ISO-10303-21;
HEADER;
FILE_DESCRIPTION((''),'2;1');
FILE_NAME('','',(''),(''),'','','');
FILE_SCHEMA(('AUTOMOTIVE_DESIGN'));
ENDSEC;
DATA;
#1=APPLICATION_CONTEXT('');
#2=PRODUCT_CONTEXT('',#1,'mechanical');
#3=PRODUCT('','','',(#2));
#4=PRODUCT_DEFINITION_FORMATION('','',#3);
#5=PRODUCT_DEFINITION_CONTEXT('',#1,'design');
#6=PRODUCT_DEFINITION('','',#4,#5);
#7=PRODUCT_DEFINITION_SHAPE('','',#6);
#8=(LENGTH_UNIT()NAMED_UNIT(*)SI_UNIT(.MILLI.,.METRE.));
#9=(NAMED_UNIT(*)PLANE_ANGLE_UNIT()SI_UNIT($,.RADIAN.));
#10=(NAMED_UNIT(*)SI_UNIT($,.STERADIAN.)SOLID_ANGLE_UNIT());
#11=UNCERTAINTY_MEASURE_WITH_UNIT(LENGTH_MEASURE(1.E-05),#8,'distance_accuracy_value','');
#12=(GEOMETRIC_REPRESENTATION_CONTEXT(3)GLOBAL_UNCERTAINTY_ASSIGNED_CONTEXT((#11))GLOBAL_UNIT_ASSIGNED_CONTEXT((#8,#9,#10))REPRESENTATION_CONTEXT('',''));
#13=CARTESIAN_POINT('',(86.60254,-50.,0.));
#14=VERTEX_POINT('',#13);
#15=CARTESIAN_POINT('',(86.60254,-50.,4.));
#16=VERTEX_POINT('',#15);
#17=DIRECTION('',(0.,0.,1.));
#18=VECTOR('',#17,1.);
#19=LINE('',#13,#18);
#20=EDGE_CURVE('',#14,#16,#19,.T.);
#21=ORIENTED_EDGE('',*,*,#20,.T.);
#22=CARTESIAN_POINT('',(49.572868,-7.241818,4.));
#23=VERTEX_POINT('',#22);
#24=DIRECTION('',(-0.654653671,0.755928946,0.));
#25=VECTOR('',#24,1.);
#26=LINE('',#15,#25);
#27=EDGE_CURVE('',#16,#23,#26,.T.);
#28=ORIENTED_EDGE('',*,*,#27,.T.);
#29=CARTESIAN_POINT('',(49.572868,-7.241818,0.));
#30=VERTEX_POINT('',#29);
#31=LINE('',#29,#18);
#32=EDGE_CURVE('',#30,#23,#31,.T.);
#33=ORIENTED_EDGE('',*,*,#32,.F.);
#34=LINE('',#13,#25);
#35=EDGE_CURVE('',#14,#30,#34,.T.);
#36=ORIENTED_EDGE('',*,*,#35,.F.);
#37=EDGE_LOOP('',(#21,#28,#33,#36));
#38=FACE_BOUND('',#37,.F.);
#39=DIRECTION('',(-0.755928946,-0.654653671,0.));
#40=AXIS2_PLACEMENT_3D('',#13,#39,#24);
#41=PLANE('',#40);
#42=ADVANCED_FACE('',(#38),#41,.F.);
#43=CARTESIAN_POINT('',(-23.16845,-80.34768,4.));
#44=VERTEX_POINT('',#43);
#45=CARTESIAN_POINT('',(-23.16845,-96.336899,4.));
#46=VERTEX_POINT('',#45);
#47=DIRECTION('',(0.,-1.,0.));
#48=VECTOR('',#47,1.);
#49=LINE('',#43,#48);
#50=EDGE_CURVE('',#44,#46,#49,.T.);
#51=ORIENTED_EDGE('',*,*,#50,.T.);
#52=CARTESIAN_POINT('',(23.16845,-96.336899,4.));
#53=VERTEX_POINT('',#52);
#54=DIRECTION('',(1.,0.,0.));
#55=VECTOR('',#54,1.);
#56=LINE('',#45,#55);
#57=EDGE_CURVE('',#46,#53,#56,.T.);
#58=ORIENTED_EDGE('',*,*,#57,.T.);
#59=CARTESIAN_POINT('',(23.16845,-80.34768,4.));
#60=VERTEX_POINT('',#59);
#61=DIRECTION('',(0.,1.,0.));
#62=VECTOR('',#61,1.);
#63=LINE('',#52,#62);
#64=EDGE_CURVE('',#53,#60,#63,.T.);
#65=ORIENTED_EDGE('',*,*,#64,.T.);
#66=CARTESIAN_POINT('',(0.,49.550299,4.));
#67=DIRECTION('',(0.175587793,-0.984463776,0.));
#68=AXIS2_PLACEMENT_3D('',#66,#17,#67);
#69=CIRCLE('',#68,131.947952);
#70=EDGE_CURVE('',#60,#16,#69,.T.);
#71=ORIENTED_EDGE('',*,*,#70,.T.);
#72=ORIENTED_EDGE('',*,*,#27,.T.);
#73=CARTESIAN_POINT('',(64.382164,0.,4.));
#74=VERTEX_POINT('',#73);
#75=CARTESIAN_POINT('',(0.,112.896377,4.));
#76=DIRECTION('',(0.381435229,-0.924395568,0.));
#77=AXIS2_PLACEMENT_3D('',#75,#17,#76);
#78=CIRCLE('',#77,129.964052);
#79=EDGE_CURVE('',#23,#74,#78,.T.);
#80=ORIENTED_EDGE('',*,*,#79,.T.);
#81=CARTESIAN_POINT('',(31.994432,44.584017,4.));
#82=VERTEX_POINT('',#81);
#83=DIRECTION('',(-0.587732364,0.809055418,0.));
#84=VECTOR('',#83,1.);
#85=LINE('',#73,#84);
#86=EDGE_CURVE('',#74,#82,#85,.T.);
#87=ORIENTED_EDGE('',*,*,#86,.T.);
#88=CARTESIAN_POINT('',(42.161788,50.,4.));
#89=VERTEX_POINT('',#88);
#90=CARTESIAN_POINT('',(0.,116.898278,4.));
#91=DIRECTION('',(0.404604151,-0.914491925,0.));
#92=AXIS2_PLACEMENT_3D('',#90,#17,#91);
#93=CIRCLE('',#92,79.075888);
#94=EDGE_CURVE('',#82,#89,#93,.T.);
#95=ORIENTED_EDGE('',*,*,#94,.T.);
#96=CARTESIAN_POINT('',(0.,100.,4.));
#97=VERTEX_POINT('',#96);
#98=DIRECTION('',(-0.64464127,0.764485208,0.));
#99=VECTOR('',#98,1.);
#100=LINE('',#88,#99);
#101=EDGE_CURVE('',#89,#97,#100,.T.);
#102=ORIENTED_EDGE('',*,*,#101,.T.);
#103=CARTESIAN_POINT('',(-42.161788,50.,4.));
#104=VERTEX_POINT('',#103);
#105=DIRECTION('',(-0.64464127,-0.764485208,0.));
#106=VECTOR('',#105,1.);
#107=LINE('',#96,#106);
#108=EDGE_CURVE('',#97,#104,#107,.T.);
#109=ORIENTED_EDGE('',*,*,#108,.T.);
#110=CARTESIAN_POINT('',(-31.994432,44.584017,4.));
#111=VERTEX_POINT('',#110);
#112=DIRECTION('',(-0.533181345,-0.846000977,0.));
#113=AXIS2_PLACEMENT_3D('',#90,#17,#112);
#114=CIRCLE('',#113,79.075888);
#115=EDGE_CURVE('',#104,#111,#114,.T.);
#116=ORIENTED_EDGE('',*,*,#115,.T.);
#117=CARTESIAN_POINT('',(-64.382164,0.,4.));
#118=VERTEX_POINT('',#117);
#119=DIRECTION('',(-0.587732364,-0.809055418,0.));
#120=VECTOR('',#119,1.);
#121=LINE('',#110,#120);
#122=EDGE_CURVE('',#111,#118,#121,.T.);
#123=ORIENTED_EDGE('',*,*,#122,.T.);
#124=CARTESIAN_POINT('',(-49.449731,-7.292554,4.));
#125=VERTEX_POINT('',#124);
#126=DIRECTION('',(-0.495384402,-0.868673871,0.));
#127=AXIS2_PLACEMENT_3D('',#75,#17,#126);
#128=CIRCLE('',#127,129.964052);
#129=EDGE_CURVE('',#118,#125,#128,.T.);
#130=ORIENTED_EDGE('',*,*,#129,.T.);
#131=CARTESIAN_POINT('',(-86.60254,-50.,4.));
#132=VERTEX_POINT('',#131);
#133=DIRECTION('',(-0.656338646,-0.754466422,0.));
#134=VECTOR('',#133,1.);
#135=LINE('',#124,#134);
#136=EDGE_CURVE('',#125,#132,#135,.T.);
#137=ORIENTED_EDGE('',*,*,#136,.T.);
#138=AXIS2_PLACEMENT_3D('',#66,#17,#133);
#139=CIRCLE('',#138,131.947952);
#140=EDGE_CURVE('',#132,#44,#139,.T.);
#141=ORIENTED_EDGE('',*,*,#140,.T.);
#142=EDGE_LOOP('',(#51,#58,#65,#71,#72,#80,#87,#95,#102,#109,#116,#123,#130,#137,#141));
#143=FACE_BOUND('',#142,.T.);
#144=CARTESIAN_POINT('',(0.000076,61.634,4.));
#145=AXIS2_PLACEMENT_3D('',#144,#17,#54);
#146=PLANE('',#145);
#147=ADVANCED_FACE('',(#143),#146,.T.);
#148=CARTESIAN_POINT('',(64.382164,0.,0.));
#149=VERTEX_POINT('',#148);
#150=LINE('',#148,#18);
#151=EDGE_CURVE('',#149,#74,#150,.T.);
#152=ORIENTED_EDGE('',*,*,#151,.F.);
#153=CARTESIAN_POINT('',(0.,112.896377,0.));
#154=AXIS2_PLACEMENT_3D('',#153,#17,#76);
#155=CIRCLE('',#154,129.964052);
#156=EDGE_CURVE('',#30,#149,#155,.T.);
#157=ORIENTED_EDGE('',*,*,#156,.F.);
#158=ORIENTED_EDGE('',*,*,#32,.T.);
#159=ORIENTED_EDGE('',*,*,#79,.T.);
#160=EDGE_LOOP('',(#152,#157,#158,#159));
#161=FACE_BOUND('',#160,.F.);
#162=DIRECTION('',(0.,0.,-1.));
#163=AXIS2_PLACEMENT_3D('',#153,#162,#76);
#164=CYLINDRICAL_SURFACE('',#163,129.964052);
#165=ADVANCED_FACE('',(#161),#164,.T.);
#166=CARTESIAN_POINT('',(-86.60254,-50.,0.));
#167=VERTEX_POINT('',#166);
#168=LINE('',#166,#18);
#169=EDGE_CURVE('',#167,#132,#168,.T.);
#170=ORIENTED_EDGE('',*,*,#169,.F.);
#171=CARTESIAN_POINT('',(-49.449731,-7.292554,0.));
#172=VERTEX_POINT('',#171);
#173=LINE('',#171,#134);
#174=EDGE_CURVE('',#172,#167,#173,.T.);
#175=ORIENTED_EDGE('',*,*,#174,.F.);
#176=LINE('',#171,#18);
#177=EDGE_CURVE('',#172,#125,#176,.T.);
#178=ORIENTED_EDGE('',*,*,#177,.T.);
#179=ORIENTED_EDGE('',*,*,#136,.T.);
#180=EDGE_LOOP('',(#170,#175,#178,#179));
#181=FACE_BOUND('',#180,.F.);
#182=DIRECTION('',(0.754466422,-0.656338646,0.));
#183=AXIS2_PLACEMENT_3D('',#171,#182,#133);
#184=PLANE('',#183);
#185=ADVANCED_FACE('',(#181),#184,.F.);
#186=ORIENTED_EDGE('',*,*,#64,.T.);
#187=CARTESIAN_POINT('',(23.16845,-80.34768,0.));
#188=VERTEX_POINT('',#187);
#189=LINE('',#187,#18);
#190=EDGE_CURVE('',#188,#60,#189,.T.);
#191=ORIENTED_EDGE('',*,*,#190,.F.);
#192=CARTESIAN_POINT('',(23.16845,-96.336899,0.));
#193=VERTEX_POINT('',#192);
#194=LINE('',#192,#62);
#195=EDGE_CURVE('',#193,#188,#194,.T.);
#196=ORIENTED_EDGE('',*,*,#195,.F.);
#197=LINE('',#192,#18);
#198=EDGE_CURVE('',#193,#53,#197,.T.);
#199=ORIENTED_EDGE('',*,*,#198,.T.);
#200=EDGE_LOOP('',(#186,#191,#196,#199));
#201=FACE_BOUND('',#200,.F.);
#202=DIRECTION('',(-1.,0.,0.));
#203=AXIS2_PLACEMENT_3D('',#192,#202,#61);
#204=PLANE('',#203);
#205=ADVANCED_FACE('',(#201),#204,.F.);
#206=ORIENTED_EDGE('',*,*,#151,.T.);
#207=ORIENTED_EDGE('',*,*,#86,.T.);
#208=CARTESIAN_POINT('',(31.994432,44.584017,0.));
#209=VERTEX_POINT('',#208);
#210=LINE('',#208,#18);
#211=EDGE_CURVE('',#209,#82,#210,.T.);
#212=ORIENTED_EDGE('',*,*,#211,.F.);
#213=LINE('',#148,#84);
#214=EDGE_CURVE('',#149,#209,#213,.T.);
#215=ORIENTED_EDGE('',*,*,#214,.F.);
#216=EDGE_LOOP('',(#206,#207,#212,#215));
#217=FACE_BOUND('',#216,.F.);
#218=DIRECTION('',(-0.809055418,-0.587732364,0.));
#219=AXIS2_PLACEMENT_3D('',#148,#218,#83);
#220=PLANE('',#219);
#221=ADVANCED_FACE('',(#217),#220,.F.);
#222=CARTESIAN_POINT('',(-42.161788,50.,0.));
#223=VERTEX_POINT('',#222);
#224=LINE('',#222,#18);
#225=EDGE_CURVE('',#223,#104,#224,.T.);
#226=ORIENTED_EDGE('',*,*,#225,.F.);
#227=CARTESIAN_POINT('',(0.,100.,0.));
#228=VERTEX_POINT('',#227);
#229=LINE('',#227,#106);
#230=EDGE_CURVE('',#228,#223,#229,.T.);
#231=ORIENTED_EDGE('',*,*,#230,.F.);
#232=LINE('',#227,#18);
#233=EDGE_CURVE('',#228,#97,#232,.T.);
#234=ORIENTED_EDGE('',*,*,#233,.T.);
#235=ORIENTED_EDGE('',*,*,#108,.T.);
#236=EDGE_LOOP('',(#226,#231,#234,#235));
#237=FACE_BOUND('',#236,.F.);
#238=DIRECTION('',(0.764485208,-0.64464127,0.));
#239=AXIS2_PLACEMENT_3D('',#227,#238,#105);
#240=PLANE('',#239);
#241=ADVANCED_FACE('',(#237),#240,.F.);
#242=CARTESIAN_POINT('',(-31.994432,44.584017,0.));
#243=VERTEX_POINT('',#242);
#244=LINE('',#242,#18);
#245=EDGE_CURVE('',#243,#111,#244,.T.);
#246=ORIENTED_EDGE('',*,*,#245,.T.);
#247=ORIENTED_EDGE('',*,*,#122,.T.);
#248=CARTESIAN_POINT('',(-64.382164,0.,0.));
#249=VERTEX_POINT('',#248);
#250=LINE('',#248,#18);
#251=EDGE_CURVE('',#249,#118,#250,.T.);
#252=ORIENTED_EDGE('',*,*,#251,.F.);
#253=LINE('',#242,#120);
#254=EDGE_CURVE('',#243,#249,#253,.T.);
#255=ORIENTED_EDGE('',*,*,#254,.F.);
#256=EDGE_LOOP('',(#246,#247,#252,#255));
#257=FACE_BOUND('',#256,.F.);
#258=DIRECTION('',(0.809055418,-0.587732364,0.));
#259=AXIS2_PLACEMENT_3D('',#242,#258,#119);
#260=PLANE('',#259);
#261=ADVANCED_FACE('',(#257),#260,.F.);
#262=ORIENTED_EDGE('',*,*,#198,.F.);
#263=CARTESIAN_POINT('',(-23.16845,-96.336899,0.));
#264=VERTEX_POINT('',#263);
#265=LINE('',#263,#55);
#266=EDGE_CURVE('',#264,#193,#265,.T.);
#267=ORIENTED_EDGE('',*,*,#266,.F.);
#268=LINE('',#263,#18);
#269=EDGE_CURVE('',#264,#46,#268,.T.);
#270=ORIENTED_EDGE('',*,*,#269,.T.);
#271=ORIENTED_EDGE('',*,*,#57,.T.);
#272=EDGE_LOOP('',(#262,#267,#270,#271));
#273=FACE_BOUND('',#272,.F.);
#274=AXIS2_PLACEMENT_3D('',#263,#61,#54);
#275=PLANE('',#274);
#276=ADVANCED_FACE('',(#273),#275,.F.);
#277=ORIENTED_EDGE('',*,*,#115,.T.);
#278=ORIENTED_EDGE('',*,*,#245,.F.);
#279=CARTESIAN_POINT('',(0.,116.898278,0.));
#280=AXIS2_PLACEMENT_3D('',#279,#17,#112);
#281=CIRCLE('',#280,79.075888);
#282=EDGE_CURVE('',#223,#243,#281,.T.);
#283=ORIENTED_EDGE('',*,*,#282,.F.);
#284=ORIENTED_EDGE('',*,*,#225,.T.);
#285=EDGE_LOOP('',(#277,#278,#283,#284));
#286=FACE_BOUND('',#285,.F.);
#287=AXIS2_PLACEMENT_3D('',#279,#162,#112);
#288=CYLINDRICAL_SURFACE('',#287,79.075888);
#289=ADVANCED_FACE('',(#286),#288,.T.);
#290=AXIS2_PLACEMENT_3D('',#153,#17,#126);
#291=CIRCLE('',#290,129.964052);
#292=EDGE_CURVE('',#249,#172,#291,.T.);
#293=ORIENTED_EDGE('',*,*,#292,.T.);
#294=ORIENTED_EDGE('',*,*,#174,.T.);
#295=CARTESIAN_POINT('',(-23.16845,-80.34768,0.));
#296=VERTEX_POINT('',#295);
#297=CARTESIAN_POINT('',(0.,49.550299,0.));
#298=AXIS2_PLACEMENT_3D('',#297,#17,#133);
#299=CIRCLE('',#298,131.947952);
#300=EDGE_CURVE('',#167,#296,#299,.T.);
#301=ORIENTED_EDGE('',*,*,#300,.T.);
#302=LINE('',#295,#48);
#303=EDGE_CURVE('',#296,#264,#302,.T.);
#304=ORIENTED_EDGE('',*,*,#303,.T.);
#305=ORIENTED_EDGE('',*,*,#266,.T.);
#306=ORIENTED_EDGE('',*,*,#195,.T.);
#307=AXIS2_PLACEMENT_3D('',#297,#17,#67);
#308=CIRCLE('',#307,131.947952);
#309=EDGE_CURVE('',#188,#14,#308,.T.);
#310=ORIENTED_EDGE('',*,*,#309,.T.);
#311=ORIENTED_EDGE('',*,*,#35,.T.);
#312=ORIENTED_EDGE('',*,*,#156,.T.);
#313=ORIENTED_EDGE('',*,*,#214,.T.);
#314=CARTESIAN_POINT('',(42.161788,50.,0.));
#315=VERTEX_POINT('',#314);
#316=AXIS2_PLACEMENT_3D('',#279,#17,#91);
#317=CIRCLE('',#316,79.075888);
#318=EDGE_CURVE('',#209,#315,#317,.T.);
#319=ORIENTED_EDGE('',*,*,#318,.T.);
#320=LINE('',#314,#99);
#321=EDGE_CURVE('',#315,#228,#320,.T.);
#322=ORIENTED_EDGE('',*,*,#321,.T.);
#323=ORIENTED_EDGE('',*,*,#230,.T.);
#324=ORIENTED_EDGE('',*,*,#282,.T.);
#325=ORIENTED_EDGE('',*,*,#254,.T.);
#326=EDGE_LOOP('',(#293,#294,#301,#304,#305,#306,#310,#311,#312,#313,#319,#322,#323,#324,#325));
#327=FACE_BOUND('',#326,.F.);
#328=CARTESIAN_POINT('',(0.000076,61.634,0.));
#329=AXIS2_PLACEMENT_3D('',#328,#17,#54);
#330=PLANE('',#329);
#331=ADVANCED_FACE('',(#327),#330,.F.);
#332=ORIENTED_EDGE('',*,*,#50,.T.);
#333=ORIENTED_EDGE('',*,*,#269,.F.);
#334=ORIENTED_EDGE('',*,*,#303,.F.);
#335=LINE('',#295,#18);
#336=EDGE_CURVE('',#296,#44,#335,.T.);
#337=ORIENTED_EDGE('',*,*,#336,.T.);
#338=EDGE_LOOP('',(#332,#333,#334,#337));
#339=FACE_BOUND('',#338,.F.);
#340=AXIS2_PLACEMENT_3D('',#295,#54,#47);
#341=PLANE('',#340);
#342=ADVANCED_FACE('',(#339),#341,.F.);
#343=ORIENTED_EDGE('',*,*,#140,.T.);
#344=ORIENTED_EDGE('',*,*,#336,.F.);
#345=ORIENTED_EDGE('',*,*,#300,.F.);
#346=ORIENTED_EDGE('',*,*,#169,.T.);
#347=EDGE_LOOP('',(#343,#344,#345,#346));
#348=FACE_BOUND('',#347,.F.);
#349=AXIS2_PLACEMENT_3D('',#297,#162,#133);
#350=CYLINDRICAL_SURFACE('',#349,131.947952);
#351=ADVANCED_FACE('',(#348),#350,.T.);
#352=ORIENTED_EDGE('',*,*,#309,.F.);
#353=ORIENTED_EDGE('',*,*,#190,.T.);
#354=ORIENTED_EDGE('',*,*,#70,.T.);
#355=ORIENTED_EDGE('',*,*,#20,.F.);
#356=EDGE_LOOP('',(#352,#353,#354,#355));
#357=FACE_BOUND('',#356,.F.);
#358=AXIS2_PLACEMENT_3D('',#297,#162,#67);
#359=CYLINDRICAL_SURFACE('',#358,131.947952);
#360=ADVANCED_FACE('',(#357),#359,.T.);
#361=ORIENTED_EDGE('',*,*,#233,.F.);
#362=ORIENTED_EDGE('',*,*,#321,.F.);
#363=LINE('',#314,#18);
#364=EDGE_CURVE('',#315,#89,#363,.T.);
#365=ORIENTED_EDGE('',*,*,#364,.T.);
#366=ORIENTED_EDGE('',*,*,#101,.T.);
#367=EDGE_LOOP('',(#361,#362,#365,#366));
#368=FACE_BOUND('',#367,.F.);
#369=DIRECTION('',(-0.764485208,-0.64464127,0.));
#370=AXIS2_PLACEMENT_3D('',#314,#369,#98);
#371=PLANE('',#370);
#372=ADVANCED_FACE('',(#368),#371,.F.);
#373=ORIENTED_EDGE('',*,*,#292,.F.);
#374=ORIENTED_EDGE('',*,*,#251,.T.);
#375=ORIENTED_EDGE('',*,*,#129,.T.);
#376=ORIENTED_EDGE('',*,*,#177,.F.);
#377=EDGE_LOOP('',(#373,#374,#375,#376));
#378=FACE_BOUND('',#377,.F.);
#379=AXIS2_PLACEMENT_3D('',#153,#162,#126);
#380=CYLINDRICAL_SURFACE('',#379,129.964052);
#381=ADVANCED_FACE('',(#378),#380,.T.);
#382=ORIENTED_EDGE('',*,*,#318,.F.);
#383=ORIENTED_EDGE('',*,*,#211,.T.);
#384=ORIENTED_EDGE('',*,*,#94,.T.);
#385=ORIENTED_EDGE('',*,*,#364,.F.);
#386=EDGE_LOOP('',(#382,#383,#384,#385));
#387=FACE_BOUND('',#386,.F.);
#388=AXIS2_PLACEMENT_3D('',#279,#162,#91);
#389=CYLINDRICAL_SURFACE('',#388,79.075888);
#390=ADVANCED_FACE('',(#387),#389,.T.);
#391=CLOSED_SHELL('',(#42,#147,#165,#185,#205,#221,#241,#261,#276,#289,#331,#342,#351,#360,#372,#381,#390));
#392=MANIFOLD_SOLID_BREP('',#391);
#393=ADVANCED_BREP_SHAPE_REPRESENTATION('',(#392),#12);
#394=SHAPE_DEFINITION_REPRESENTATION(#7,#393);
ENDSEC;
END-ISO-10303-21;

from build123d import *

# Parameters (mm, degrees)
F1_DEPTH = 4


with BuildPart() as f1:
    # F0 (on Top) → F1 (new body)
    with BuildSketch(Plane.XY):
        with BuildLine():
            Line((0, 100), (-42.1617882956, 50))
            ThreePointArc((-42.1617882956, 50), (-37.1768676119, 47.106612997), (-31.994432446, 44.5840174441))
            ThreePointArc((-31.994432446, 44.5840174441), (-21.0663934766, 40.6801499068), (-9.6846764242, 38.4176878845))
            ThreePointArc((-9.6846764242, 38.4176878845), (0.15722732, 37.8225468215), (9.9966866024, 38.4568205982))
            ThreePointArc((9.9966866024, 38.4568205982), (21.2178970455, 40.7221870715), (31.994432446, 44.5840174441))
            ThreePointArc((31.994432446, 44.5840174441), (37.1768676119, 47.106612997), (42.1617882956, 50))
            Line((42.1617882956, 50), (0, 100))
        make_face()
        with BuildLine():
            ThreePointArc((-9.6846764242, 38.4176878845), (-21.0663934766, 40.6801499068), (-31.994432446, 44.5840174441))
            Line((-31.994432446, 44.5840174441), (-64.382164337, 0))
            ThreePointArc((-64.382164337, 0), (-57.0326259859, -3.8851908994), (-49.4497308534, -7.2925540604))
            Line((-49.4497308534, -7.2925540604), (-9.6846764242, 38.4176878845))
        make_face()
        with BuildLine():
            ThreePointArc((9.9966866024, 38.4568205982), (0.15722732, 37.8225468215), (-9.6846764242, 38.4176878845))
            Line((-9.6846764242, 38.4176878845), (-49.4497308534, -7.2925540604))
            ThreePointArc((-49.4497308534, -7.2925540604), (0.0665901335, -17.0676588152), (49.5728681141, -7.2418175004))
            Line((49.5728681141, -7.2418175004), (9.9966866024, 38.4568205982))
        make_face()
        with BuildLine():
            ThreePointArc((31.994432446, 44.5840174441), (21.2178970455, 40.7221870715), (9.9966866024, 38.4568205982))
            Line((9.9966866024, 38.4568205982), (49.5728681141, -7.2418175004))
            ThreePointArc((49.5728681141, -7.2418175004), (57.0924542774, -3.8559535654), (64.382164337, 0))
            Line((64.382164337, 0), (31.994432446, 44.5840174441))
        make_face()
        with BuildLine():
            ThreePointArc((49.5728681141, -7.2418175004), (0.0665901335, -17.0676588152), (-49.4497308534, -7.2925540604))
            Line((-49.4497308534, -7.2925540604), (-86.6025403784, -50))
            ThreePointArc((-86.6025403784, -50), (-56.9443850461, -69.4774247767), (-23.1684497457, -80.347679982))
            Line((-23.1684497457, -80.347679982), (-23.1684497457, -50))
            Line((-23.1684497457, -50), (23.1684497457, -50))
            Line((23.1684497457, -50), (23.1684497457, -80.347679982))
            ThreePointArc((23.1684497457, -80.347679982), (56.9443850461, -69.4774247767), (86.6025403784, -50))
            Line((86.6025403784, -50), (49.5728681141, -7.2418175004))
        make_face()
        with BuildLine():
            Line((-23.1684497457, -50), (-23.1684497457, -80.347679982))
            ThreePointArc((-23.1684497457, -80.347679982), (0, -82.3976528812), (23.1684497457, -80.347679982))
            Line((23.1684497457, -80.347679982), (23.1684497457, -50))
            Line((23.1684497457, -50), (-23.1684497457, -50))
        make_face()
        with BuildLine():
            ThreePointArc((23.1684497457, -80.347679982), (0, -82.3976528812), (-23.1684497457, -80.347679982))
            Line((-23.1684497457, -80.347679982), (-23.1684497457, -96.3368994915))
            Line((-23.1684497457, -96.3368994915), (23.1684497457, -96.3368994915))
            Line((23.1684497457, -96.3368994915), (23.1684497457, -80.347679982))
        make_face()
    extrude(amount=F1_DEPTH)


solid = f1.part
